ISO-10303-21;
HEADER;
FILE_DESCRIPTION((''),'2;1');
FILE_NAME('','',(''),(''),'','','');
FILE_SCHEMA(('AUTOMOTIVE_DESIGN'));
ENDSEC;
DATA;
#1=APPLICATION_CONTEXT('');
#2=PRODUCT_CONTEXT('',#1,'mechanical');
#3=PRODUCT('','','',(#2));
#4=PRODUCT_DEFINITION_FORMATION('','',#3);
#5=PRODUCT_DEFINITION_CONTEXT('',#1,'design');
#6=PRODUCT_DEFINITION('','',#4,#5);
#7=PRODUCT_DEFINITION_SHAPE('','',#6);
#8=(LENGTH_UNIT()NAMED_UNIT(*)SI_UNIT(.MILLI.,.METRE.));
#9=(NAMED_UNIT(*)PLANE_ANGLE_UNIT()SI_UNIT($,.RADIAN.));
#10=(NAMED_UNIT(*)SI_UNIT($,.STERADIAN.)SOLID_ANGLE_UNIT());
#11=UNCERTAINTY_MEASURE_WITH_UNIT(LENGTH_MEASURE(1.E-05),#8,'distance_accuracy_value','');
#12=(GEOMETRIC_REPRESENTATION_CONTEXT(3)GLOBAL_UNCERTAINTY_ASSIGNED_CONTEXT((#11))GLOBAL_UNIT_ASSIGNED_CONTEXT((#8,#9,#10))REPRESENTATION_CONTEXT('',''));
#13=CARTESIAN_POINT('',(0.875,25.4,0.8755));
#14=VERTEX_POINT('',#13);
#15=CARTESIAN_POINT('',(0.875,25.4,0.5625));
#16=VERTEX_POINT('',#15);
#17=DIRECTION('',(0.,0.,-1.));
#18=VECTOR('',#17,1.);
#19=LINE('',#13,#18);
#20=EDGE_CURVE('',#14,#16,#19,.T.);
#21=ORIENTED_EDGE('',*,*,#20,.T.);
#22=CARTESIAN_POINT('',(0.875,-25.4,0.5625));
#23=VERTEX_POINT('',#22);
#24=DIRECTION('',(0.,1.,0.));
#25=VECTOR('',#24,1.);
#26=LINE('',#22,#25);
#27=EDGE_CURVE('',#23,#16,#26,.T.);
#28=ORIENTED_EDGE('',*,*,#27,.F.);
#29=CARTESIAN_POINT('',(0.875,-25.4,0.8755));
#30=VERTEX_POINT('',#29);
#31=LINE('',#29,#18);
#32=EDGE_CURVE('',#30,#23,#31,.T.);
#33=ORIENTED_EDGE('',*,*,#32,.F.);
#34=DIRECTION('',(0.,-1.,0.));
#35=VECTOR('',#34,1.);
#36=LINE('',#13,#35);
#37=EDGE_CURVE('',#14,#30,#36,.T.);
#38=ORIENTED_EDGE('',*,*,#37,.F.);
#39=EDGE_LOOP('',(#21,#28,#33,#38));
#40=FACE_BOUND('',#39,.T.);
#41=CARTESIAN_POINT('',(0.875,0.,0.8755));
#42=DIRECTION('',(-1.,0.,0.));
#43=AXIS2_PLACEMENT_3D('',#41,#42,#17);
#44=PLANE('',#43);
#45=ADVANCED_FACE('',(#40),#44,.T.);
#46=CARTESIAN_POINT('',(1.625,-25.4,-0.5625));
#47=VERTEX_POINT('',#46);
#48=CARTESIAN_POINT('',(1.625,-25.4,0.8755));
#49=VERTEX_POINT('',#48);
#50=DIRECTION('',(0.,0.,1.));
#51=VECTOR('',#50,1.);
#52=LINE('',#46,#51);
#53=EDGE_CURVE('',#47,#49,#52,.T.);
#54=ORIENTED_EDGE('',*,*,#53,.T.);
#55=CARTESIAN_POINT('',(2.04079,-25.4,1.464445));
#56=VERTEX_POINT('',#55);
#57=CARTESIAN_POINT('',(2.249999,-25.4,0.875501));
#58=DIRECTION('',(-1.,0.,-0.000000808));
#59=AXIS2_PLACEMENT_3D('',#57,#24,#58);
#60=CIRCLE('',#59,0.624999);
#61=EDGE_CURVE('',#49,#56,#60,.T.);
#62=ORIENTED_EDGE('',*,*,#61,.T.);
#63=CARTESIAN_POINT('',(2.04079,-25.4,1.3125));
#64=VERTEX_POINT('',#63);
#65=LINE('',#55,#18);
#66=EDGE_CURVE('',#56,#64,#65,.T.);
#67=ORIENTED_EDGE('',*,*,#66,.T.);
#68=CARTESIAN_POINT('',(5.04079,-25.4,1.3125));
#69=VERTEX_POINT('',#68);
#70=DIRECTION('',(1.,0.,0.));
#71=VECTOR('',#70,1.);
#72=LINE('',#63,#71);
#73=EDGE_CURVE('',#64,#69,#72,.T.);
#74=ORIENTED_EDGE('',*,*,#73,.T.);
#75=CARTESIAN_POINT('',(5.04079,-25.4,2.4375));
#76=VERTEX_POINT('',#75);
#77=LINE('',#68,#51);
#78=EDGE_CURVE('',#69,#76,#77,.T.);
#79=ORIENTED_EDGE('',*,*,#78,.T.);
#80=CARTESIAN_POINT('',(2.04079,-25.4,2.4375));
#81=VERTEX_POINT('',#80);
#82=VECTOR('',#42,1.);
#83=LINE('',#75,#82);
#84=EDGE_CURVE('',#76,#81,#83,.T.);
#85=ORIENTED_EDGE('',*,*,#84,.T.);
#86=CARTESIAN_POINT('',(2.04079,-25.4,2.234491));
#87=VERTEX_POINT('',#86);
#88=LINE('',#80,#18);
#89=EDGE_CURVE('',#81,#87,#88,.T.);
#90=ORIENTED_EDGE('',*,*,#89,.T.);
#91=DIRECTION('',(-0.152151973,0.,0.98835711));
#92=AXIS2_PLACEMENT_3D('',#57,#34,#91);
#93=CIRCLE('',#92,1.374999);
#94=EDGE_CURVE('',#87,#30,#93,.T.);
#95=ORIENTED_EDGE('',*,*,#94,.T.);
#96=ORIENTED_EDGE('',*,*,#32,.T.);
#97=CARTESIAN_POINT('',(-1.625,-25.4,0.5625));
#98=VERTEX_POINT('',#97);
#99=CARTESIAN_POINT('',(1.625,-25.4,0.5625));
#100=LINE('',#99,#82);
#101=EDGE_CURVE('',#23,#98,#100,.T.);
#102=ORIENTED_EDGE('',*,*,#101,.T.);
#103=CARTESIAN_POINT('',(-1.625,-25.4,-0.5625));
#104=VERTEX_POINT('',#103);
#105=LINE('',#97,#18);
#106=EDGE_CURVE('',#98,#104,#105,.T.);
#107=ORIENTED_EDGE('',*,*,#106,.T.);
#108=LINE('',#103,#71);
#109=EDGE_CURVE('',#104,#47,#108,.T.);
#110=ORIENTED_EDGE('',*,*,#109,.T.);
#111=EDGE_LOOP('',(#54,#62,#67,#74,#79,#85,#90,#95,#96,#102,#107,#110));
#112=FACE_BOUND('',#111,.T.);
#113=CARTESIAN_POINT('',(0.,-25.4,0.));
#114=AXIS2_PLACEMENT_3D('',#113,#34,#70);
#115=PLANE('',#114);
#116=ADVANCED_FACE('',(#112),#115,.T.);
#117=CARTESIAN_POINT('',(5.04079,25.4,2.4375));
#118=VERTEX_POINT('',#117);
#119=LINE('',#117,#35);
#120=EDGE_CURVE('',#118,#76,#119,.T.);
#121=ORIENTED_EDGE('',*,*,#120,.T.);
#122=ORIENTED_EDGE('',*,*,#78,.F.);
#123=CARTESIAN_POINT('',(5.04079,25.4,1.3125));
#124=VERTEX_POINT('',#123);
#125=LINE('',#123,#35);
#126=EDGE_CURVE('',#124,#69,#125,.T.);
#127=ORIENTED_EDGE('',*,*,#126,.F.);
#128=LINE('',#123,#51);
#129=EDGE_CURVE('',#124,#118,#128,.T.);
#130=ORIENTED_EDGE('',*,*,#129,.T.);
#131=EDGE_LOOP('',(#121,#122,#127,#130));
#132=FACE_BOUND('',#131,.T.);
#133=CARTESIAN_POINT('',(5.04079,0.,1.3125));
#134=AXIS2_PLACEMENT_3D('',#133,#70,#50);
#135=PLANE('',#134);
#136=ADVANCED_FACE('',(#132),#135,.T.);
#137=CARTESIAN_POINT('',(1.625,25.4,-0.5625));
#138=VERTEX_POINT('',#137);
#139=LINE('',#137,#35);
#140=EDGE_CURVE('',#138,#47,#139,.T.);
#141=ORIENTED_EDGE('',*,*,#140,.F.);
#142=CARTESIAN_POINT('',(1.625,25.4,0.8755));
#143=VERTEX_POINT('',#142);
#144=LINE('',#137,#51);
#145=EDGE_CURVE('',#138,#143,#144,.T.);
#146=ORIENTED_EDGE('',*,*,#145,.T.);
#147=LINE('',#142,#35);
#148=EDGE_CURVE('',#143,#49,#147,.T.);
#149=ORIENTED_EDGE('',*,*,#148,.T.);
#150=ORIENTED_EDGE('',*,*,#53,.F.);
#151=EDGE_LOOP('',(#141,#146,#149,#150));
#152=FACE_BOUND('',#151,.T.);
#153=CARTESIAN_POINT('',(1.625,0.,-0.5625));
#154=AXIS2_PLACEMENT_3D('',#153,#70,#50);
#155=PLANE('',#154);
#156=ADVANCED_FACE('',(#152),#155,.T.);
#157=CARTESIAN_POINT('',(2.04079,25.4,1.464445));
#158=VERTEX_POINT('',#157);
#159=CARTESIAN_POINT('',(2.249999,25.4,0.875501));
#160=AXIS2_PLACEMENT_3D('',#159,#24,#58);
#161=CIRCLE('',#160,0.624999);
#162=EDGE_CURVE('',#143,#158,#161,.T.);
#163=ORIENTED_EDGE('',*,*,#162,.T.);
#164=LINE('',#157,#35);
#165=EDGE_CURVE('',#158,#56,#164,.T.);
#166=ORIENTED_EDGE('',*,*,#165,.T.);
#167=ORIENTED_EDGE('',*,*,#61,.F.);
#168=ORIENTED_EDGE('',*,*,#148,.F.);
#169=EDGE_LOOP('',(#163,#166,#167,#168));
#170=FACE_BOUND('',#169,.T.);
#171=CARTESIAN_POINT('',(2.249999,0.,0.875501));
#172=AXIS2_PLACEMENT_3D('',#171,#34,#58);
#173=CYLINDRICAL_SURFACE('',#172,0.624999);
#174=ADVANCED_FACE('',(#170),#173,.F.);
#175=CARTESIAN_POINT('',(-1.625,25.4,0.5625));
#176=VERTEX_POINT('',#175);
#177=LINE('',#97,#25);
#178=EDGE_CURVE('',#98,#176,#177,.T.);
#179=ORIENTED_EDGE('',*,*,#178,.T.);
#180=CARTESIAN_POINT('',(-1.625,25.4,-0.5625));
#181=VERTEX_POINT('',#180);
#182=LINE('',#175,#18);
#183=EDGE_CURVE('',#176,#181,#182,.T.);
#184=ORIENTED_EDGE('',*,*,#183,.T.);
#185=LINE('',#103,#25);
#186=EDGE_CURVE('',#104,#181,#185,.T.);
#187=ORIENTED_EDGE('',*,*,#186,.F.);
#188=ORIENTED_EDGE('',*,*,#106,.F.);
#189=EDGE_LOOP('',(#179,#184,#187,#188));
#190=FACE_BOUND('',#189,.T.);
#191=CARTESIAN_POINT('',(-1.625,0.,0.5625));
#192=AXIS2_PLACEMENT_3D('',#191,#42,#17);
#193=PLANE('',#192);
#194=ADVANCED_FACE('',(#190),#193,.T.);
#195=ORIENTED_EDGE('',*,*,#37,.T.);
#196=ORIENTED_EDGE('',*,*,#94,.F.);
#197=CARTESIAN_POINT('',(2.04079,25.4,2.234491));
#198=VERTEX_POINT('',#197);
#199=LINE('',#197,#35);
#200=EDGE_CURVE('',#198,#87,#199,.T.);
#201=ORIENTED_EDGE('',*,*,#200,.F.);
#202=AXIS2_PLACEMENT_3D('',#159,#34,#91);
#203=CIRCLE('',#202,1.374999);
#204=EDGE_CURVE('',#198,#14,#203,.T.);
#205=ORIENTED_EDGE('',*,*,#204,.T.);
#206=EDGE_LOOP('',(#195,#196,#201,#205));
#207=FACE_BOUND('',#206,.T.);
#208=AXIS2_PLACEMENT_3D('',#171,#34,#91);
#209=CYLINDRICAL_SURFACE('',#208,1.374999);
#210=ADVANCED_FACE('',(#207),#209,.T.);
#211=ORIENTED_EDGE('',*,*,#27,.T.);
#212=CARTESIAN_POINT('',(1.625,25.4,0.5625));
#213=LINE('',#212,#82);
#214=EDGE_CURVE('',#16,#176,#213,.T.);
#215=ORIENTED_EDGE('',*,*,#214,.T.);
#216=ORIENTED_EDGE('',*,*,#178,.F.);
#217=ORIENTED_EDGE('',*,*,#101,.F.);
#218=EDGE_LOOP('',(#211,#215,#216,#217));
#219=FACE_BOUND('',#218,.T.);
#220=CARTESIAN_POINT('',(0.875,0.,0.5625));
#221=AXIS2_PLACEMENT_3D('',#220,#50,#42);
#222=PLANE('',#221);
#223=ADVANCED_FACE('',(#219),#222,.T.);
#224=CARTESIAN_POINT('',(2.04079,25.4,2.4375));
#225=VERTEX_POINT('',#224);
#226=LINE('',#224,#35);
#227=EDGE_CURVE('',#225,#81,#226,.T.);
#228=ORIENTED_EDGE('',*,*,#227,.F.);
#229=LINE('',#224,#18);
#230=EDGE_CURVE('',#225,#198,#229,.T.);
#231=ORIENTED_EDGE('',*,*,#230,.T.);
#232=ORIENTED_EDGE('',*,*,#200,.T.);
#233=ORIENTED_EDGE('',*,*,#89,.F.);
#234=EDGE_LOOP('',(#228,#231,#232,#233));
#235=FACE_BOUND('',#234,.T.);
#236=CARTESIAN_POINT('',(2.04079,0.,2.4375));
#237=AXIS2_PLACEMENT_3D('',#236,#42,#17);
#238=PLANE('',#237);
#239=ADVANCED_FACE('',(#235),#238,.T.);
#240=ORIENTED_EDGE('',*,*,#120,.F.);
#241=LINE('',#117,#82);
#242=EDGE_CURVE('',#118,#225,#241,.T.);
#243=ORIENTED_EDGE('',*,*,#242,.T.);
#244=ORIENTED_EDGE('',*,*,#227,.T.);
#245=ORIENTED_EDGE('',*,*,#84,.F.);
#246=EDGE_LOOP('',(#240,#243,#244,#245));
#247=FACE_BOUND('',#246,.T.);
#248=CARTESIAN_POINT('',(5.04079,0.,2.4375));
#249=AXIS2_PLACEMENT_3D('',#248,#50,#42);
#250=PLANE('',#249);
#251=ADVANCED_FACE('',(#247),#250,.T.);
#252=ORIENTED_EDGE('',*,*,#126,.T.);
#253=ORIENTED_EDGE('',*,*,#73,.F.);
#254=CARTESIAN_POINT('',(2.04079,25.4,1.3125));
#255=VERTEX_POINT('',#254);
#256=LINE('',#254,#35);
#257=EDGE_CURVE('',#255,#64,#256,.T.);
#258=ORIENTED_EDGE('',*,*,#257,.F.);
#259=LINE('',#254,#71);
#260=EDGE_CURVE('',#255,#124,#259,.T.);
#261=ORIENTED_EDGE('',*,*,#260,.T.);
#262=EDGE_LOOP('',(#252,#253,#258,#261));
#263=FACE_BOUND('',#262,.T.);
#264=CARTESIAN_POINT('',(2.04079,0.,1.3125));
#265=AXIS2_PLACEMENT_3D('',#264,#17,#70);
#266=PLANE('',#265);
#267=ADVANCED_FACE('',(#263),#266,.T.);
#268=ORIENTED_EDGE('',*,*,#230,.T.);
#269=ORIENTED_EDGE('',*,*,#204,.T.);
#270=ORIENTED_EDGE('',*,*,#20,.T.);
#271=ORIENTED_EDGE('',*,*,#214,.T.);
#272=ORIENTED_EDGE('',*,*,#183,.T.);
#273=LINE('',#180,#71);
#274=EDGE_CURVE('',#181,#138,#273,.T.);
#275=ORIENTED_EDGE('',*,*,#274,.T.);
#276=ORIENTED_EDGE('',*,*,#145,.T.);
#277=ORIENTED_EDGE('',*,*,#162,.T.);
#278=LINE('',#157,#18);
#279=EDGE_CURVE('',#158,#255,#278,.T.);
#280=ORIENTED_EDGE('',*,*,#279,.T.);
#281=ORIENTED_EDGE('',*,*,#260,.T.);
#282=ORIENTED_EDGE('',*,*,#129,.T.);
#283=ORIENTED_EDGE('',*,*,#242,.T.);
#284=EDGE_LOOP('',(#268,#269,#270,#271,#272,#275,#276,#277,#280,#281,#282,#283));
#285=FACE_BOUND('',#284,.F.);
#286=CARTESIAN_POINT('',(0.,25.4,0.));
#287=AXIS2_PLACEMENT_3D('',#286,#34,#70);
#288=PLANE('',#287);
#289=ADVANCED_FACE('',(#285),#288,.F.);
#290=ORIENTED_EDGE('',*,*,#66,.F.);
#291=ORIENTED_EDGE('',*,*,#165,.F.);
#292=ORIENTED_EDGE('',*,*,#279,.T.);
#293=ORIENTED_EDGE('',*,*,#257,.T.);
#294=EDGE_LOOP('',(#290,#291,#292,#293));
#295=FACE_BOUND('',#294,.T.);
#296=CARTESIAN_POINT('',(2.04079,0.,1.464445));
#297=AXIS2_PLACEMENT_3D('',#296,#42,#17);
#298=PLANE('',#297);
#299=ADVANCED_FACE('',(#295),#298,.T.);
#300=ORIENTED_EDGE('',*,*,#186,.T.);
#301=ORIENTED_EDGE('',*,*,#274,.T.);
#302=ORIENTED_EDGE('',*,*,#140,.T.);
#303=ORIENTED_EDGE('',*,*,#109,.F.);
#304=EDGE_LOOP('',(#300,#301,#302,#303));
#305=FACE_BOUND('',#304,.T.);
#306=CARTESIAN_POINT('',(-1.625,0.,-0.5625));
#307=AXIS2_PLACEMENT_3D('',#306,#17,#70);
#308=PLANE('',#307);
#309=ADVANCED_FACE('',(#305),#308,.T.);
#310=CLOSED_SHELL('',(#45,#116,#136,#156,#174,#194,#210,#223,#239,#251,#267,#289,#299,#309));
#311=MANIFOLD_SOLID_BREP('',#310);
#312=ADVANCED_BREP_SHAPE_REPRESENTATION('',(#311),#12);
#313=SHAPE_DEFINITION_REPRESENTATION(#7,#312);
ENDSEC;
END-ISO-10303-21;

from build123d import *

# Parameters (mm, degrees)
F1_DEPTH = 25.4


with BuildPart() as f1:
    # F0 (on Front) → F1 (new body, symmetric)
    with BuildSketch(Plane.XZ):
        Polygon((-1.625, -0.5625), (1.625, -0.5625), (1.625, 0.5625), (0.875, 0.5625), (-1.625, 0.5625), align=None)
        with BuildLine():
            Line((0.875, 0.5625), (1.625, 0.5625))
            Line((1.625, 0.5625), (1.625, 0.8755))
            ThreePointArc((1.625, 0.8755), (1.739421, 1.235964), (2.04079, 1.464445))
            Line((2.04079, 1.464445), (2.04079, 2.234491))
            ThreePointArc((2.04079, 2.234491), (1.206379, 1.770755), (0.875, 0.8755))
            Line((0.875, 0.8755), (0.875, 0.5625))
        make_face()
        with BuildLine():
            ThreePointArc((2.25, 2.2505), (2.145089, 2.246492), (2.04079, 2.234491))
            Line((2.04079, 2.234491), (2.04079, 1.464445))
            ThreePointArc((2.04079, 1.464445), (2.143853, 1.49142), (2.25, 1.5005))
            Line((2.25, 1.5005), (3.375, 1.5005))
            Line((3.375, 1.5005), (3.375, 2.2505))
            Line((3.375, 2.2505), (2.25, 2.2505))
        make_face()
        with BuildLine():
            Line((2.04079, 2.4375), (2.04079, 2.234491))
            ThreePointArc((2.04079, 2.234491), (2.145089, 2.246492), (2.25, 2.2505))
            Line((2.25, 2.2505), (3.375, 2.2505))
            Line((3.375, 2.2505), (3.375, 1.5005))
            Line((3.375, 1.5005), (2.25, 1.5005))
            ThreePointArc((2.25, 1.5005), (2.143853, 1.49142), (2.04079, 1.464445))
            Line((2.04079, 1.464445), (2.04079, 1.3125))
            Line((2.04079, 1.3125), (5.04079, 1.3125))
            Line((5.04079, 1.3125), (5.04079, 2.4375))
            Line((5.04079, 2.4375), (2.04079, 2.4375))
        make_face()
    extrude(amount=F1_DEPTH, both=True)


solid = f1.part
